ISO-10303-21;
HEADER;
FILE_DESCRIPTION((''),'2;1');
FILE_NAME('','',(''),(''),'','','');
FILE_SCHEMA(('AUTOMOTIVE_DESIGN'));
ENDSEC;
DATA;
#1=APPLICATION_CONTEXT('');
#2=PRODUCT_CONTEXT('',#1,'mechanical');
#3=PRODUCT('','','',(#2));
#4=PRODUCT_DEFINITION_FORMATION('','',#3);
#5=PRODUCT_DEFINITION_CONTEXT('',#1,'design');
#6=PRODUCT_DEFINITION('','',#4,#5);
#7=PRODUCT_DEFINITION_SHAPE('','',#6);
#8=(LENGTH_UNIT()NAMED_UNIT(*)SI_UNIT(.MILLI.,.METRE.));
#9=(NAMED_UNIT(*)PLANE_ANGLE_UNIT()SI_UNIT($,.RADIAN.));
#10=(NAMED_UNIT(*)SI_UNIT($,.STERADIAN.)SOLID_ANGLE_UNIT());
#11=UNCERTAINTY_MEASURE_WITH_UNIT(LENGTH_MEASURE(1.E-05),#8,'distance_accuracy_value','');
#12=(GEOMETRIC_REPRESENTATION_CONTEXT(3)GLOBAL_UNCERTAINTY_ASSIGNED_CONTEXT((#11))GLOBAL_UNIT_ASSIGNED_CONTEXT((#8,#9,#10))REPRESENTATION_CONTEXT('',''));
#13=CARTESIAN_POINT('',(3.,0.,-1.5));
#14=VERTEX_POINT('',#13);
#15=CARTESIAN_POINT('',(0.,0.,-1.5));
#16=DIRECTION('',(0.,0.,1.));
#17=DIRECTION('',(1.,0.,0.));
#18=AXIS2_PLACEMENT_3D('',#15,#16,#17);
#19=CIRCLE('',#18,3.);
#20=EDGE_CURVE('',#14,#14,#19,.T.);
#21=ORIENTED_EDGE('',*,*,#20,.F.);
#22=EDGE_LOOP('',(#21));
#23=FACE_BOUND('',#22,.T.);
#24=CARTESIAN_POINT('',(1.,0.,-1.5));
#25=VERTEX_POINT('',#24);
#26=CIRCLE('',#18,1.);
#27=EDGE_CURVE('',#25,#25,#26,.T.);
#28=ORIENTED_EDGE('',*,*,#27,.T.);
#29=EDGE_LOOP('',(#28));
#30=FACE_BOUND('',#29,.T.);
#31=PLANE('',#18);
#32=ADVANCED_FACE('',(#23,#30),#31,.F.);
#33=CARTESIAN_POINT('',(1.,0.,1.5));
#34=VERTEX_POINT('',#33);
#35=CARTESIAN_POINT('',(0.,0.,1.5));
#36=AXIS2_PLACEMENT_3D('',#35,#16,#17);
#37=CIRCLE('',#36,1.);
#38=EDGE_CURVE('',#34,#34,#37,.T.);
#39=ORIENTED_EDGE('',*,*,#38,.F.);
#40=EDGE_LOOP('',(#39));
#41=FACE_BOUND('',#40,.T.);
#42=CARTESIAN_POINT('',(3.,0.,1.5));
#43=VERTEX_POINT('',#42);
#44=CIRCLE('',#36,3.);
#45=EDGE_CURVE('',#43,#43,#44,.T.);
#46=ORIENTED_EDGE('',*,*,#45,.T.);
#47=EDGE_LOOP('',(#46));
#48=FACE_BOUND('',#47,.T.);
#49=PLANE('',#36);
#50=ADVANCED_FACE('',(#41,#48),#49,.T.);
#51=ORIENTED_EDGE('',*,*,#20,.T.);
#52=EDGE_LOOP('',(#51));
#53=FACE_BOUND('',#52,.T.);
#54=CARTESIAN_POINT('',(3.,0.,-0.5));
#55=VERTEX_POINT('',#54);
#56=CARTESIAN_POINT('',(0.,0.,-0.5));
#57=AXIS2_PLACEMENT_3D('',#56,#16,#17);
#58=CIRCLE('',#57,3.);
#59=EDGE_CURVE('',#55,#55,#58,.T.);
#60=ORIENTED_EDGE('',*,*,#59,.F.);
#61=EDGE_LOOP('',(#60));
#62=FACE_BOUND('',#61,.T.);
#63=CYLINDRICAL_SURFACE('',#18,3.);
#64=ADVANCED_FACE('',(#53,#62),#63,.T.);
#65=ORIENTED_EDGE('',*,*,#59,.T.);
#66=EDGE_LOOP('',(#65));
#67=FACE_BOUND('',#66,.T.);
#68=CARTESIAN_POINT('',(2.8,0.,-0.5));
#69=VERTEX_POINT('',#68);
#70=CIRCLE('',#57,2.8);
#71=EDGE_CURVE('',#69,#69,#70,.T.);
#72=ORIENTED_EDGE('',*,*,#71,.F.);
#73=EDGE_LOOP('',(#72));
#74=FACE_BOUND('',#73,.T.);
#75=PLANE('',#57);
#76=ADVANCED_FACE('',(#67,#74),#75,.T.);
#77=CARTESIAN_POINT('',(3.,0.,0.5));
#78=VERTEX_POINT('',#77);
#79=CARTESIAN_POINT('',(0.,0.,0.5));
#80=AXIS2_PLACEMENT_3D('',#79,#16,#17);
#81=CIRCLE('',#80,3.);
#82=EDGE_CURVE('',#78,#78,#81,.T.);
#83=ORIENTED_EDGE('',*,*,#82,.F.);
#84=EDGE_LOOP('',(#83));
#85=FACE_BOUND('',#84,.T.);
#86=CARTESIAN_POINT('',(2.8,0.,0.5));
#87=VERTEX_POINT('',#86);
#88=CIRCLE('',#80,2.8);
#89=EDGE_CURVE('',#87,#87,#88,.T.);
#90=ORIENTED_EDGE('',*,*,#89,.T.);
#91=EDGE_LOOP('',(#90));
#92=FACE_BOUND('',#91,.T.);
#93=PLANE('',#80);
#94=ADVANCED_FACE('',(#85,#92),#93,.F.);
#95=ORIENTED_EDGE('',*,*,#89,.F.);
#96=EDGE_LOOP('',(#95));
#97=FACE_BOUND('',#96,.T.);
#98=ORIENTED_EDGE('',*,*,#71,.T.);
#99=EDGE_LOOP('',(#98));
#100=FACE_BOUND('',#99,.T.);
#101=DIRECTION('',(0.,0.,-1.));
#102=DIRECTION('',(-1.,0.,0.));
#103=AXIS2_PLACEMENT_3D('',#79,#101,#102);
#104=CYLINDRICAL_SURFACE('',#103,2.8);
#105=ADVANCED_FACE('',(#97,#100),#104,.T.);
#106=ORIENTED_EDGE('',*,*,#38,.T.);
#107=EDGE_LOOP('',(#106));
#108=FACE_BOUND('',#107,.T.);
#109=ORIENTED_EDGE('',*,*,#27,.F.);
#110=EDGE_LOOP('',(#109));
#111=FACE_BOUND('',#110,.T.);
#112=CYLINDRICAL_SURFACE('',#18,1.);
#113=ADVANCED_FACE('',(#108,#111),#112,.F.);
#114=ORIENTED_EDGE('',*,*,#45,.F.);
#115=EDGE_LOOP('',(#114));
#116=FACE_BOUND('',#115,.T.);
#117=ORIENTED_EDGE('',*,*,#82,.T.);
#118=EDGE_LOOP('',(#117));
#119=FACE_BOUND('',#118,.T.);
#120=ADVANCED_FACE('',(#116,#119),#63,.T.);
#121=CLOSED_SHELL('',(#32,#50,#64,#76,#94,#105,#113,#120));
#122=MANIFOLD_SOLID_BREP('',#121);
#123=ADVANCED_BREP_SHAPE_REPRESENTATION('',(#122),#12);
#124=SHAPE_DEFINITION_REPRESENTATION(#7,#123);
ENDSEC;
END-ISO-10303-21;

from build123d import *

# Parameters (mm, degrees)
EXTRUDE_1_DEPTH          = 1.5
EXTRUDE_1_DEPTH_BACK     = 1.5
SKETCH_1_R               = 3
SKETCH_1_R_2             = 1
CUT_EXTRUDE_1_DEPTH      = 0.5
CUT_EXTRUDE_1_DEPTH_BACK = 0.5
SKETCH_2_R               = 3
SKETCH_2_R_2             = 2.8


with BuildPart() as part:
    # 草图1 → 凸台-拉伸1 (new, two sides: drawn at the far end of the back side and taken through both)
    with BuildSketch(Plane.XY.offset(-EXTRUDE_1_DEPTH_BACK)):
        Circle(SKETCH_1_R)
        Circle(SKETCH_1_R_2, mode=Mode.SUBTRACT)
    extrude(amount=EXTRUDE_1_DEPTH + EXTRUDE_1_DEPTH_BACK)

    # 草图2 → 切除-拉伸1 (cut, two sides: drawn at the far end of the back side and taken through both)
    with BuildSketch(Plane.XY.offset(-CUT_EXTRUDE_1_DEPTH_BACK)):
        Circle(SKETCH_2_R)
        Circle(SKETCH_2_R_2, mode=Mode.SUBTRACT)
    extrude(amount=CUT_EXTRUDE_1_DEPTH + CUT_EXTRUDE_1_DEPTH_BACK, mode=Mode.SUBTRACT)


solid = part.part
